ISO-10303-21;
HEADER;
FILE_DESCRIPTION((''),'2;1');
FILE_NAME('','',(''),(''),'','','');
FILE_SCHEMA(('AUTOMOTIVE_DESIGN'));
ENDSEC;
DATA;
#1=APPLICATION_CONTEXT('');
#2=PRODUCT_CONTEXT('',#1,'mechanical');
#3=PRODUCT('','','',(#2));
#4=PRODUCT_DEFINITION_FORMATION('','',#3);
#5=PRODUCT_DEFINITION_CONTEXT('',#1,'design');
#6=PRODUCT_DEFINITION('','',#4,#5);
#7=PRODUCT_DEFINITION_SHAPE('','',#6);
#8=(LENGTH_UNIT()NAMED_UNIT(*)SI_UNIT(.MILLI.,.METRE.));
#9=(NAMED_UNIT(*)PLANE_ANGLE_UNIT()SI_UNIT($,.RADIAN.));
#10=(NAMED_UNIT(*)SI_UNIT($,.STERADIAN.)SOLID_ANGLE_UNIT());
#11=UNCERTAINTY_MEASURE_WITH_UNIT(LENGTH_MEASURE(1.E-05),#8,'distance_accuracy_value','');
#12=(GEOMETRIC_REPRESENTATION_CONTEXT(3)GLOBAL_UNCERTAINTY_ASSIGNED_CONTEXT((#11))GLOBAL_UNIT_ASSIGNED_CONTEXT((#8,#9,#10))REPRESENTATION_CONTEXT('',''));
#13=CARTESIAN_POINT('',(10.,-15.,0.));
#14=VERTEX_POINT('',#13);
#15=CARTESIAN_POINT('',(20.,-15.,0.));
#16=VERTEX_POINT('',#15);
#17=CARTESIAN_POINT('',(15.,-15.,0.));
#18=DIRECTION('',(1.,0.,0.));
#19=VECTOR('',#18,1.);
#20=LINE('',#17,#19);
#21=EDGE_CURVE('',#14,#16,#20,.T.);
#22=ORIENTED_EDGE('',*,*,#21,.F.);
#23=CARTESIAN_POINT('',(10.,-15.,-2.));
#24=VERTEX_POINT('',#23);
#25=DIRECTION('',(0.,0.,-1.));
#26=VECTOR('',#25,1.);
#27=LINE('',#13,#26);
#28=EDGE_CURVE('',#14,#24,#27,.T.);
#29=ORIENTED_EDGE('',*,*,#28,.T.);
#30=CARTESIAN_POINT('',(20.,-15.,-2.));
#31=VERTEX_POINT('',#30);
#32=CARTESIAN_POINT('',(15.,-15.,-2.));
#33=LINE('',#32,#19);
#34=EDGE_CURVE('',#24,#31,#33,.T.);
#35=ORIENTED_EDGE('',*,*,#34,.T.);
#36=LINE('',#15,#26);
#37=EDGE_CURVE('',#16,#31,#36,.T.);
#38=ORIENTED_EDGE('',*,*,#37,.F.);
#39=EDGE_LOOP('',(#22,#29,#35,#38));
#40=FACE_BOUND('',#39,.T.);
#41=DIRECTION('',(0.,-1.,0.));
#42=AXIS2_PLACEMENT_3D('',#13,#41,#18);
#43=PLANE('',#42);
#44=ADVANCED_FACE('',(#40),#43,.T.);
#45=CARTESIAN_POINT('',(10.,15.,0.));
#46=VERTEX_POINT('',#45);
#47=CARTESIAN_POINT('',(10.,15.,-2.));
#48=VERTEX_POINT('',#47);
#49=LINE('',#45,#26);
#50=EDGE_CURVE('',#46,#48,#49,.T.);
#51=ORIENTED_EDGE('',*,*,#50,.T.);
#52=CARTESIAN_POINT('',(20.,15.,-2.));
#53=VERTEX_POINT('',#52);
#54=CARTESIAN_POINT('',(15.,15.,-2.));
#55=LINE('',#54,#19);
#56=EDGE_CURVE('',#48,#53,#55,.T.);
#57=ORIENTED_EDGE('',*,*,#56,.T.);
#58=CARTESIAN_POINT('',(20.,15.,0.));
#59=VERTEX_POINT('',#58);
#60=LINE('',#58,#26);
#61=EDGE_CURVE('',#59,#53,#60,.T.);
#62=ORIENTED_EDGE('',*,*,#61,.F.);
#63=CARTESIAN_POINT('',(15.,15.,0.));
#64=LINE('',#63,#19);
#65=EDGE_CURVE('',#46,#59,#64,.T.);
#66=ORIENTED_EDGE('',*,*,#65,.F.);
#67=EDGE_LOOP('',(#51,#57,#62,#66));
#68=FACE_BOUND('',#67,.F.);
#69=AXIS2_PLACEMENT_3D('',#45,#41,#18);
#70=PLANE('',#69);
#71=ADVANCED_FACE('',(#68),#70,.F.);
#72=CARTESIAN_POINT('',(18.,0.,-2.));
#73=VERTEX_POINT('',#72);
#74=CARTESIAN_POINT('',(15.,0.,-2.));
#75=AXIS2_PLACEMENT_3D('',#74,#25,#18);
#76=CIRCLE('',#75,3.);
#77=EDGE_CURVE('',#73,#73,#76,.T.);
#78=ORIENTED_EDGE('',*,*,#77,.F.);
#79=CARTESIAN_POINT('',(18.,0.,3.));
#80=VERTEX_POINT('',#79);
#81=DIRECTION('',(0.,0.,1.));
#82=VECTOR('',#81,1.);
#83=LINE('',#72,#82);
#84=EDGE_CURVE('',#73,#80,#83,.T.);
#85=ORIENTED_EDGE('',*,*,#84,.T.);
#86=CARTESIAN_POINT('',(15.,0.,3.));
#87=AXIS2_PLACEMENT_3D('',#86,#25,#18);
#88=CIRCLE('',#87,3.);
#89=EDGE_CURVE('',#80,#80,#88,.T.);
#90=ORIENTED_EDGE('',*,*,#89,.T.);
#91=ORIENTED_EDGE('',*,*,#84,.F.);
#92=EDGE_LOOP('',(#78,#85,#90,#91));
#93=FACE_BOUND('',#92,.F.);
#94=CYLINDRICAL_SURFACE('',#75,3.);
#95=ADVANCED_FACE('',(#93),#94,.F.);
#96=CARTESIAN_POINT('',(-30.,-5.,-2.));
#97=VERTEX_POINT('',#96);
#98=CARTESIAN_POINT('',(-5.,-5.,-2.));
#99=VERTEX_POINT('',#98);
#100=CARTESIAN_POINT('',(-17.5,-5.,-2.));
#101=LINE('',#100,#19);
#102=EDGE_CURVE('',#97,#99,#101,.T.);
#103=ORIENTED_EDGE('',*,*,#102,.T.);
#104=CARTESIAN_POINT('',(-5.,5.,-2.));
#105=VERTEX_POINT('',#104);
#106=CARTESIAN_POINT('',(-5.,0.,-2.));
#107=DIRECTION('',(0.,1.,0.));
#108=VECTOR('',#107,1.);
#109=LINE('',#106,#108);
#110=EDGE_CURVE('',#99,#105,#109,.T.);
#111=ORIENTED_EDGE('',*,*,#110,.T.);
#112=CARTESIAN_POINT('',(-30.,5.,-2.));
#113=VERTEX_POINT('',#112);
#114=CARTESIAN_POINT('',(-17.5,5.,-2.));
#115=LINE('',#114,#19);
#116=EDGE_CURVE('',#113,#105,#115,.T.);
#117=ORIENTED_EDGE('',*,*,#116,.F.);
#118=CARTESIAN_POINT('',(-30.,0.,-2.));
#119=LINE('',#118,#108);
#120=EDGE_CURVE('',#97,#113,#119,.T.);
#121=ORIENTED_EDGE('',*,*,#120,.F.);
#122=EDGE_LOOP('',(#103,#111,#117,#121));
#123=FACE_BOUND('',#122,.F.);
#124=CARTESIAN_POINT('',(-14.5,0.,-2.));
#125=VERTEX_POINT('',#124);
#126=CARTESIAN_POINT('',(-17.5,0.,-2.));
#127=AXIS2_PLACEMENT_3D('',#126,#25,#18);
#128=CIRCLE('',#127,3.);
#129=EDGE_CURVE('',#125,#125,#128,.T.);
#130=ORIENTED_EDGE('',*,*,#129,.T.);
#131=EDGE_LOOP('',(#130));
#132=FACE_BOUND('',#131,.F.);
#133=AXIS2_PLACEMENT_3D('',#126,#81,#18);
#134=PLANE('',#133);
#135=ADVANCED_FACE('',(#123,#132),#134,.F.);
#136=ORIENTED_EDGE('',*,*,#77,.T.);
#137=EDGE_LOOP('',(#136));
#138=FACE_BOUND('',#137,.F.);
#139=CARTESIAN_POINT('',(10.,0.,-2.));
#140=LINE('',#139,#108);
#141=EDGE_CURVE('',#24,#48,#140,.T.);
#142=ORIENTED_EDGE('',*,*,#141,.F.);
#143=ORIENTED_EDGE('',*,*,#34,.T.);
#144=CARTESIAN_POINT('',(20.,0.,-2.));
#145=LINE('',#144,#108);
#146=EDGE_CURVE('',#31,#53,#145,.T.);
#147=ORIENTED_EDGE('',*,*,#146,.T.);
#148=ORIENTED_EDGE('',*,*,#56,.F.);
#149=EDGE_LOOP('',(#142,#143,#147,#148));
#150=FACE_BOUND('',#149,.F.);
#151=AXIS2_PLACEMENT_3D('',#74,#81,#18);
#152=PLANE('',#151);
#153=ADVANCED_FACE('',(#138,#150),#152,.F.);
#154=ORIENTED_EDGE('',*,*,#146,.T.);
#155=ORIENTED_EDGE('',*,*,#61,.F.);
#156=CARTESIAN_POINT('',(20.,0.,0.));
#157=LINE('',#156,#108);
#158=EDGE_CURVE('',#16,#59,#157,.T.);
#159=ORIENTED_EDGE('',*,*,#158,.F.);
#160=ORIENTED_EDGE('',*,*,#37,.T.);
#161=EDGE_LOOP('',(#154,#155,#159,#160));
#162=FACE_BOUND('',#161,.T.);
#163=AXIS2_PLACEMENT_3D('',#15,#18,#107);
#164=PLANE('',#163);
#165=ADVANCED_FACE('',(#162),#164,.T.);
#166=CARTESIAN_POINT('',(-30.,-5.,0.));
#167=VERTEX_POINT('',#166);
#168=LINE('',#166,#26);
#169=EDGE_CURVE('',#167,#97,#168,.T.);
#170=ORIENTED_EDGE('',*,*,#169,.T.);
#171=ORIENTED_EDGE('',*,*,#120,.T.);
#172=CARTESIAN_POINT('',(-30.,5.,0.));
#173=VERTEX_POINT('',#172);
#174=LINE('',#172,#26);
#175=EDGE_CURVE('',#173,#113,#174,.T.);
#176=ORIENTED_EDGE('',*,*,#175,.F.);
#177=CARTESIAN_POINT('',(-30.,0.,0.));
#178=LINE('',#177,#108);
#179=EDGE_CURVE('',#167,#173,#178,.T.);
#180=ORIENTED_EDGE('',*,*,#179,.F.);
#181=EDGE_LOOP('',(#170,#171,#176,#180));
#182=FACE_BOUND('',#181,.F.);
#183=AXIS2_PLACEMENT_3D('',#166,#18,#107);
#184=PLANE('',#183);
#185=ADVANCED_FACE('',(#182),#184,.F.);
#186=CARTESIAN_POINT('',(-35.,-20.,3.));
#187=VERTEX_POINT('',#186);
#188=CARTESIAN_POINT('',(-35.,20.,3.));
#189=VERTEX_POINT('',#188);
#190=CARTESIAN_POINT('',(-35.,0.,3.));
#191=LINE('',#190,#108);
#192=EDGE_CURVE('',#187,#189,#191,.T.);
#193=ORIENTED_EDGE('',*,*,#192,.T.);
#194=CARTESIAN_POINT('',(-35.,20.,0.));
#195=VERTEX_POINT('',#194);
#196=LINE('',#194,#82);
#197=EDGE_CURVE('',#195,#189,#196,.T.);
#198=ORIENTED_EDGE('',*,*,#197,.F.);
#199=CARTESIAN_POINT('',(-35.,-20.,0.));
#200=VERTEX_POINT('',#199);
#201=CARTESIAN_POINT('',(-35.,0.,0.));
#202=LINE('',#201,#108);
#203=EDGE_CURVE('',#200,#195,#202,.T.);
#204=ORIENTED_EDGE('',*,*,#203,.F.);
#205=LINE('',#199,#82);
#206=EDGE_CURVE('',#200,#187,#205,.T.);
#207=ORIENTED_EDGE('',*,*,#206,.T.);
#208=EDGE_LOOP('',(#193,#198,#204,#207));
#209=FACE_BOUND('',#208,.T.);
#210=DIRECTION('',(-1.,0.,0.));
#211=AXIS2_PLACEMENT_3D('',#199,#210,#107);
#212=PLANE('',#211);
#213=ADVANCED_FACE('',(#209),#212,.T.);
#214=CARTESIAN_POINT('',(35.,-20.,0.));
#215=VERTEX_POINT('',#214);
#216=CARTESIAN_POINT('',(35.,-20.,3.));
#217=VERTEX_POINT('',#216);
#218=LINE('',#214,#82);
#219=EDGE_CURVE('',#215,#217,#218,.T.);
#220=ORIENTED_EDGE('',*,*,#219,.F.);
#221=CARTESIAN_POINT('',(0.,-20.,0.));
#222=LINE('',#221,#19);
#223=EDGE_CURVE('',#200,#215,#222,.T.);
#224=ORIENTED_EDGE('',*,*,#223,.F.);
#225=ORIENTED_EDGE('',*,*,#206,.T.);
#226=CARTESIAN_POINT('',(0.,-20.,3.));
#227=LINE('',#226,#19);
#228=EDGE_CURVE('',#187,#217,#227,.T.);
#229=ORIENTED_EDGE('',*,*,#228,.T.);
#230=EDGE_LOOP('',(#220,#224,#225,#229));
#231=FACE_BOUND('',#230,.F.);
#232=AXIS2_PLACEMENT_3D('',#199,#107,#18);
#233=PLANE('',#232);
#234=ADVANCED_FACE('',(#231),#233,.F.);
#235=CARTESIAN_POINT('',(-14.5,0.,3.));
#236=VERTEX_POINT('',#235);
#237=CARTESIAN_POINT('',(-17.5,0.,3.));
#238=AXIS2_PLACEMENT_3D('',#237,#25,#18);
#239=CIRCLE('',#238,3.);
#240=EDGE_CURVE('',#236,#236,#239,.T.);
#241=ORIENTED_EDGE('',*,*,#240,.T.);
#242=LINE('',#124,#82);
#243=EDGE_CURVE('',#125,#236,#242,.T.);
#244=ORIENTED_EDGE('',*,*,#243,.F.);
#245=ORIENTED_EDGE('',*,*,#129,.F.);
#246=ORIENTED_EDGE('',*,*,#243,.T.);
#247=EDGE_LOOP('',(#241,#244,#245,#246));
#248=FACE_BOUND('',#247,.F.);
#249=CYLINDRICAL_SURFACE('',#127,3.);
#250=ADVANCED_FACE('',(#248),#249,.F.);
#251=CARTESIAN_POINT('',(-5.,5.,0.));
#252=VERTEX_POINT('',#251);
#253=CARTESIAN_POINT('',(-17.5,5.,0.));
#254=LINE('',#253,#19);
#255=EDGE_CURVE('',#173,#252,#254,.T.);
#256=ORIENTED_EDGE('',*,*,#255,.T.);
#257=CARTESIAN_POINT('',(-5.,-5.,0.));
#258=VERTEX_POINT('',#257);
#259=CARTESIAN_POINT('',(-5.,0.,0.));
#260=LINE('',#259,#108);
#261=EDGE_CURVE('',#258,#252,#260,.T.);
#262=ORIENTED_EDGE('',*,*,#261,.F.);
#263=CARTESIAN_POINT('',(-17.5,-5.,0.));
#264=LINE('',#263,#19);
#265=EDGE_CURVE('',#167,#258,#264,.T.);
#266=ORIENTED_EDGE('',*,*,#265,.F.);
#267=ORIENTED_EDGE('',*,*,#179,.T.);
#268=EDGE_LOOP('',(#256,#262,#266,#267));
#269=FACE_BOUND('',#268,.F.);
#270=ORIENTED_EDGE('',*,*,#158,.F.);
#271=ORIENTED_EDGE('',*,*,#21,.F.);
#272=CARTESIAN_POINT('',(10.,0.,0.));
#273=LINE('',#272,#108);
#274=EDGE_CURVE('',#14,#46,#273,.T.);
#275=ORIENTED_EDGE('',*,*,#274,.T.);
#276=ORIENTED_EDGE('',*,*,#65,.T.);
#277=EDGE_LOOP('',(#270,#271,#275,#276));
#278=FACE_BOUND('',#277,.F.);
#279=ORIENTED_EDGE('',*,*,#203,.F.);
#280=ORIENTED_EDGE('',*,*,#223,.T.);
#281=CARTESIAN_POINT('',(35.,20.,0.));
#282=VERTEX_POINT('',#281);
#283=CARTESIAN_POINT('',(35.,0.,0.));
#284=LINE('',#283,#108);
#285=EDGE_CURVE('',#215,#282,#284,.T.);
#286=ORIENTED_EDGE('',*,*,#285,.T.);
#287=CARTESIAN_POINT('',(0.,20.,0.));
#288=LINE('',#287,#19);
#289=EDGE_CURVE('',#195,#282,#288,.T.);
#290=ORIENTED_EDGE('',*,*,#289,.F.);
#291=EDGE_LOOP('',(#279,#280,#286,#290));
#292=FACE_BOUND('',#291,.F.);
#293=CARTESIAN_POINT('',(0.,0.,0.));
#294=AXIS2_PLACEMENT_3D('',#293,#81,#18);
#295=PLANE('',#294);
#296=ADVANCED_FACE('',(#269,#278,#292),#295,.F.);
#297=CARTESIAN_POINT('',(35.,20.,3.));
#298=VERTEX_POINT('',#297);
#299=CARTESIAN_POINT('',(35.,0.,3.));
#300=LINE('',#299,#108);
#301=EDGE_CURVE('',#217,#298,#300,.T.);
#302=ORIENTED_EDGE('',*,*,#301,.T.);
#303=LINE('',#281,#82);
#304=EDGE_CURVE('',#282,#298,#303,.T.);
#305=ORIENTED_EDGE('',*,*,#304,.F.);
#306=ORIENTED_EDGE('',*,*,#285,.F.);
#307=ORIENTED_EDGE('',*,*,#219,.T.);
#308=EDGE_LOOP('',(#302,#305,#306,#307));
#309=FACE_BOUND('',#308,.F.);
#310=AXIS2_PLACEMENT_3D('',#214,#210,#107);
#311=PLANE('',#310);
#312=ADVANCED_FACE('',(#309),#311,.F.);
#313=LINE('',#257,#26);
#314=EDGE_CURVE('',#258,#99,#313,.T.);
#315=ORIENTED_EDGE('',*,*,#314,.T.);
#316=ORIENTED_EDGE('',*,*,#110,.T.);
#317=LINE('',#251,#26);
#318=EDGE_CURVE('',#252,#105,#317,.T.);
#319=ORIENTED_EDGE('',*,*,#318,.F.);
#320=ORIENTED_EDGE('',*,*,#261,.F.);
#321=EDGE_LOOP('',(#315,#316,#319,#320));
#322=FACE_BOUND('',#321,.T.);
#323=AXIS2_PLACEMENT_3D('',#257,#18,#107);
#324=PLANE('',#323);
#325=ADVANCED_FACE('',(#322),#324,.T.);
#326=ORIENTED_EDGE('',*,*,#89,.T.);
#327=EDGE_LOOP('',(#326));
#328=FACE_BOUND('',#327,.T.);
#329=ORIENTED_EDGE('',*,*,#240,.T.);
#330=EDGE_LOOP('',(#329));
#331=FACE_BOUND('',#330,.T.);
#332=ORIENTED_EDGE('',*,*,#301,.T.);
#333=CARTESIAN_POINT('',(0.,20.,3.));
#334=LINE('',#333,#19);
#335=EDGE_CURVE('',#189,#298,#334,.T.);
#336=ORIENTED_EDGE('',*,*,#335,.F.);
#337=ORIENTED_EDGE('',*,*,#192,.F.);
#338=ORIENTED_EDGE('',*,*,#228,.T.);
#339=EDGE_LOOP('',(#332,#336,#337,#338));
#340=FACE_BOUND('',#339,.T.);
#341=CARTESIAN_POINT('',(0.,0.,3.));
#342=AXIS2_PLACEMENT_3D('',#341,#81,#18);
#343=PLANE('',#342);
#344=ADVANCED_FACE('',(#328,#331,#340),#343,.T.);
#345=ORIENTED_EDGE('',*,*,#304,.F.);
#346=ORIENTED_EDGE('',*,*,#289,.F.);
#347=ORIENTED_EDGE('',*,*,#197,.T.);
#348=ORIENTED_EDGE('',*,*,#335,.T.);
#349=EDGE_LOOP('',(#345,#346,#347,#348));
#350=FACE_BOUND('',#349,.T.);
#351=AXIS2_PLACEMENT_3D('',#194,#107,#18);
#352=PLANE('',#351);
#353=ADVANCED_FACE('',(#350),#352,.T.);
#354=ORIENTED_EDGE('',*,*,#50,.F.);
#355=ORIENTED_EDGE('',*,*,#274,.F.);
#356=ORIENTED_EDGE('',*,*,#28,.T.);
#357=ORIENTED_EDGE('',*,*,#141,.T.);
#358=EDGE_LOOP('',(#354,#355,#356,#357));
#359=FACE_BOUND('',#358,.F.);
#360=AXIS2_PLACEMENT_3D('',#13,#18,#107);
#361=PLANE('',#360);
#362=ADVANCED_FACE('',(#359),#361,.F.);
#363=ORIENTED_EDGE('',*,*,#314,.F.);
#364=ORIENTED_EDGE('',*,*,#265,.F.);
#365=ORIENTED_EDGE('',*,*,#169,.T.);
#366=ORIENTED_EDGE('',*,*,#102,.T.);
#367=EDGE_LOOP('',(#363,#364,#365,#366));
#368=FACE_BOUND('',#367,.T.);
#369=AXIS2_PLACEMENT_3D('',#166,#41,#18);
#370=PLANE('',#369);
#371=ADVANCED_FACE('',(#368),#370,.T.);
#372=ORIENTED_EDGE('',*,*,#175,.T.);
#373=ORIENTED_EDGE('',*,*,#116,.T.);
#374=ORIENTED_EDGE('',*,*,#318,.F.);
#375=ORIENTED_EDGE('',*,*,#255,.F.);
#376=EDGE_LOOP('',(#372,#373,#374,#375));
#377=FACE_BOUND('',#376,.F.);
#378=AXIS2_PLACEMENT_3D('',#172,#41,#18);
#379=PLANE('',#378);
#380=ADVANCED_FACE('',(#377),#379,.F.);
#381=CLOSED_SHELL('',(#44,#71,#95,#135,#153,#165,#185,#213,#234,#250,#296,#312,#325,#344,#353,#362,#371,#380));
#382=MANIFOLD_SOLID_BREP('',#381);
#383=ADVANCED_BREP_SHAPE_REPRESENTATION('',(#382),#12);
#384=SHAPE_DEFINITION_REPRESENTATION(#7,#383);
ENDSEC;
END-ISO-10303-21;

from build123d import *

# Parameters (mm, degrees)
F0_W     = 70
F0_H     = 40
F0_W_2   = 25
F0_H_2   = 10
F0_W_3   = 10
F0_H_3   = 30
F1_DEPTH = 3
F2_DEPTH = 2
F3_R     = 3
F4_R     = 3
F5_DEPTH = 25


with BuildPart() as f1:
    # F0 (on Top) → F1 (new body)
    with BuildSketch(Plane.XY):
        Rectangle(F0_W, F0_H)
        with Locations((-17.5, 0)):
            Rectangle(F0_W_2, F0_H_2, mode=Mode.SUBTRACT)
        with Locations((15, 0)):
            Rectangle(F0_W_3, F0_H_3, mode=Mode.SUBTRACT)
        with Locations((-17.5, 0)):
            Rectangle(F0_W_2, F0_H_2)
        with Locations((15, 0)):
            Rectangle(F0_W_3, F0_H_3)
    extrude(amount=F1_DEPTH)

    # F0 (on Top) → F2 (join)
    with BuildSketch(Plane.XY):
        with Locations((-17.5, 0)):
            Rectangle(F0_W_2, F0_H_2)
        with Locations((15, 0)):
            Rectangle(F0_W_3, F0_H_3)
    extrude(amount=-F2_DEPTH)

    # F3 (on face) + F4 (on face) → F5 (cut)
    with BuildSketch(Plane(origin=(0, 0, -2), x_dir=(1, 0, 0), z_dir=(0, 0, -1))):
        with Locations((-17.5, 0)):
            Circle(F3_R)
    with BuildSketch(Plane(origin=(0, 0, -2), x_dir=(1, 0, 0), z_dir=(0, 0, -1))):
        with Locations((15, 0)):
            Circle(F4_R)
    extrude(amount=-F5_DEPTH, mode=Mode.SUBTRACT)


solid = f1.part
